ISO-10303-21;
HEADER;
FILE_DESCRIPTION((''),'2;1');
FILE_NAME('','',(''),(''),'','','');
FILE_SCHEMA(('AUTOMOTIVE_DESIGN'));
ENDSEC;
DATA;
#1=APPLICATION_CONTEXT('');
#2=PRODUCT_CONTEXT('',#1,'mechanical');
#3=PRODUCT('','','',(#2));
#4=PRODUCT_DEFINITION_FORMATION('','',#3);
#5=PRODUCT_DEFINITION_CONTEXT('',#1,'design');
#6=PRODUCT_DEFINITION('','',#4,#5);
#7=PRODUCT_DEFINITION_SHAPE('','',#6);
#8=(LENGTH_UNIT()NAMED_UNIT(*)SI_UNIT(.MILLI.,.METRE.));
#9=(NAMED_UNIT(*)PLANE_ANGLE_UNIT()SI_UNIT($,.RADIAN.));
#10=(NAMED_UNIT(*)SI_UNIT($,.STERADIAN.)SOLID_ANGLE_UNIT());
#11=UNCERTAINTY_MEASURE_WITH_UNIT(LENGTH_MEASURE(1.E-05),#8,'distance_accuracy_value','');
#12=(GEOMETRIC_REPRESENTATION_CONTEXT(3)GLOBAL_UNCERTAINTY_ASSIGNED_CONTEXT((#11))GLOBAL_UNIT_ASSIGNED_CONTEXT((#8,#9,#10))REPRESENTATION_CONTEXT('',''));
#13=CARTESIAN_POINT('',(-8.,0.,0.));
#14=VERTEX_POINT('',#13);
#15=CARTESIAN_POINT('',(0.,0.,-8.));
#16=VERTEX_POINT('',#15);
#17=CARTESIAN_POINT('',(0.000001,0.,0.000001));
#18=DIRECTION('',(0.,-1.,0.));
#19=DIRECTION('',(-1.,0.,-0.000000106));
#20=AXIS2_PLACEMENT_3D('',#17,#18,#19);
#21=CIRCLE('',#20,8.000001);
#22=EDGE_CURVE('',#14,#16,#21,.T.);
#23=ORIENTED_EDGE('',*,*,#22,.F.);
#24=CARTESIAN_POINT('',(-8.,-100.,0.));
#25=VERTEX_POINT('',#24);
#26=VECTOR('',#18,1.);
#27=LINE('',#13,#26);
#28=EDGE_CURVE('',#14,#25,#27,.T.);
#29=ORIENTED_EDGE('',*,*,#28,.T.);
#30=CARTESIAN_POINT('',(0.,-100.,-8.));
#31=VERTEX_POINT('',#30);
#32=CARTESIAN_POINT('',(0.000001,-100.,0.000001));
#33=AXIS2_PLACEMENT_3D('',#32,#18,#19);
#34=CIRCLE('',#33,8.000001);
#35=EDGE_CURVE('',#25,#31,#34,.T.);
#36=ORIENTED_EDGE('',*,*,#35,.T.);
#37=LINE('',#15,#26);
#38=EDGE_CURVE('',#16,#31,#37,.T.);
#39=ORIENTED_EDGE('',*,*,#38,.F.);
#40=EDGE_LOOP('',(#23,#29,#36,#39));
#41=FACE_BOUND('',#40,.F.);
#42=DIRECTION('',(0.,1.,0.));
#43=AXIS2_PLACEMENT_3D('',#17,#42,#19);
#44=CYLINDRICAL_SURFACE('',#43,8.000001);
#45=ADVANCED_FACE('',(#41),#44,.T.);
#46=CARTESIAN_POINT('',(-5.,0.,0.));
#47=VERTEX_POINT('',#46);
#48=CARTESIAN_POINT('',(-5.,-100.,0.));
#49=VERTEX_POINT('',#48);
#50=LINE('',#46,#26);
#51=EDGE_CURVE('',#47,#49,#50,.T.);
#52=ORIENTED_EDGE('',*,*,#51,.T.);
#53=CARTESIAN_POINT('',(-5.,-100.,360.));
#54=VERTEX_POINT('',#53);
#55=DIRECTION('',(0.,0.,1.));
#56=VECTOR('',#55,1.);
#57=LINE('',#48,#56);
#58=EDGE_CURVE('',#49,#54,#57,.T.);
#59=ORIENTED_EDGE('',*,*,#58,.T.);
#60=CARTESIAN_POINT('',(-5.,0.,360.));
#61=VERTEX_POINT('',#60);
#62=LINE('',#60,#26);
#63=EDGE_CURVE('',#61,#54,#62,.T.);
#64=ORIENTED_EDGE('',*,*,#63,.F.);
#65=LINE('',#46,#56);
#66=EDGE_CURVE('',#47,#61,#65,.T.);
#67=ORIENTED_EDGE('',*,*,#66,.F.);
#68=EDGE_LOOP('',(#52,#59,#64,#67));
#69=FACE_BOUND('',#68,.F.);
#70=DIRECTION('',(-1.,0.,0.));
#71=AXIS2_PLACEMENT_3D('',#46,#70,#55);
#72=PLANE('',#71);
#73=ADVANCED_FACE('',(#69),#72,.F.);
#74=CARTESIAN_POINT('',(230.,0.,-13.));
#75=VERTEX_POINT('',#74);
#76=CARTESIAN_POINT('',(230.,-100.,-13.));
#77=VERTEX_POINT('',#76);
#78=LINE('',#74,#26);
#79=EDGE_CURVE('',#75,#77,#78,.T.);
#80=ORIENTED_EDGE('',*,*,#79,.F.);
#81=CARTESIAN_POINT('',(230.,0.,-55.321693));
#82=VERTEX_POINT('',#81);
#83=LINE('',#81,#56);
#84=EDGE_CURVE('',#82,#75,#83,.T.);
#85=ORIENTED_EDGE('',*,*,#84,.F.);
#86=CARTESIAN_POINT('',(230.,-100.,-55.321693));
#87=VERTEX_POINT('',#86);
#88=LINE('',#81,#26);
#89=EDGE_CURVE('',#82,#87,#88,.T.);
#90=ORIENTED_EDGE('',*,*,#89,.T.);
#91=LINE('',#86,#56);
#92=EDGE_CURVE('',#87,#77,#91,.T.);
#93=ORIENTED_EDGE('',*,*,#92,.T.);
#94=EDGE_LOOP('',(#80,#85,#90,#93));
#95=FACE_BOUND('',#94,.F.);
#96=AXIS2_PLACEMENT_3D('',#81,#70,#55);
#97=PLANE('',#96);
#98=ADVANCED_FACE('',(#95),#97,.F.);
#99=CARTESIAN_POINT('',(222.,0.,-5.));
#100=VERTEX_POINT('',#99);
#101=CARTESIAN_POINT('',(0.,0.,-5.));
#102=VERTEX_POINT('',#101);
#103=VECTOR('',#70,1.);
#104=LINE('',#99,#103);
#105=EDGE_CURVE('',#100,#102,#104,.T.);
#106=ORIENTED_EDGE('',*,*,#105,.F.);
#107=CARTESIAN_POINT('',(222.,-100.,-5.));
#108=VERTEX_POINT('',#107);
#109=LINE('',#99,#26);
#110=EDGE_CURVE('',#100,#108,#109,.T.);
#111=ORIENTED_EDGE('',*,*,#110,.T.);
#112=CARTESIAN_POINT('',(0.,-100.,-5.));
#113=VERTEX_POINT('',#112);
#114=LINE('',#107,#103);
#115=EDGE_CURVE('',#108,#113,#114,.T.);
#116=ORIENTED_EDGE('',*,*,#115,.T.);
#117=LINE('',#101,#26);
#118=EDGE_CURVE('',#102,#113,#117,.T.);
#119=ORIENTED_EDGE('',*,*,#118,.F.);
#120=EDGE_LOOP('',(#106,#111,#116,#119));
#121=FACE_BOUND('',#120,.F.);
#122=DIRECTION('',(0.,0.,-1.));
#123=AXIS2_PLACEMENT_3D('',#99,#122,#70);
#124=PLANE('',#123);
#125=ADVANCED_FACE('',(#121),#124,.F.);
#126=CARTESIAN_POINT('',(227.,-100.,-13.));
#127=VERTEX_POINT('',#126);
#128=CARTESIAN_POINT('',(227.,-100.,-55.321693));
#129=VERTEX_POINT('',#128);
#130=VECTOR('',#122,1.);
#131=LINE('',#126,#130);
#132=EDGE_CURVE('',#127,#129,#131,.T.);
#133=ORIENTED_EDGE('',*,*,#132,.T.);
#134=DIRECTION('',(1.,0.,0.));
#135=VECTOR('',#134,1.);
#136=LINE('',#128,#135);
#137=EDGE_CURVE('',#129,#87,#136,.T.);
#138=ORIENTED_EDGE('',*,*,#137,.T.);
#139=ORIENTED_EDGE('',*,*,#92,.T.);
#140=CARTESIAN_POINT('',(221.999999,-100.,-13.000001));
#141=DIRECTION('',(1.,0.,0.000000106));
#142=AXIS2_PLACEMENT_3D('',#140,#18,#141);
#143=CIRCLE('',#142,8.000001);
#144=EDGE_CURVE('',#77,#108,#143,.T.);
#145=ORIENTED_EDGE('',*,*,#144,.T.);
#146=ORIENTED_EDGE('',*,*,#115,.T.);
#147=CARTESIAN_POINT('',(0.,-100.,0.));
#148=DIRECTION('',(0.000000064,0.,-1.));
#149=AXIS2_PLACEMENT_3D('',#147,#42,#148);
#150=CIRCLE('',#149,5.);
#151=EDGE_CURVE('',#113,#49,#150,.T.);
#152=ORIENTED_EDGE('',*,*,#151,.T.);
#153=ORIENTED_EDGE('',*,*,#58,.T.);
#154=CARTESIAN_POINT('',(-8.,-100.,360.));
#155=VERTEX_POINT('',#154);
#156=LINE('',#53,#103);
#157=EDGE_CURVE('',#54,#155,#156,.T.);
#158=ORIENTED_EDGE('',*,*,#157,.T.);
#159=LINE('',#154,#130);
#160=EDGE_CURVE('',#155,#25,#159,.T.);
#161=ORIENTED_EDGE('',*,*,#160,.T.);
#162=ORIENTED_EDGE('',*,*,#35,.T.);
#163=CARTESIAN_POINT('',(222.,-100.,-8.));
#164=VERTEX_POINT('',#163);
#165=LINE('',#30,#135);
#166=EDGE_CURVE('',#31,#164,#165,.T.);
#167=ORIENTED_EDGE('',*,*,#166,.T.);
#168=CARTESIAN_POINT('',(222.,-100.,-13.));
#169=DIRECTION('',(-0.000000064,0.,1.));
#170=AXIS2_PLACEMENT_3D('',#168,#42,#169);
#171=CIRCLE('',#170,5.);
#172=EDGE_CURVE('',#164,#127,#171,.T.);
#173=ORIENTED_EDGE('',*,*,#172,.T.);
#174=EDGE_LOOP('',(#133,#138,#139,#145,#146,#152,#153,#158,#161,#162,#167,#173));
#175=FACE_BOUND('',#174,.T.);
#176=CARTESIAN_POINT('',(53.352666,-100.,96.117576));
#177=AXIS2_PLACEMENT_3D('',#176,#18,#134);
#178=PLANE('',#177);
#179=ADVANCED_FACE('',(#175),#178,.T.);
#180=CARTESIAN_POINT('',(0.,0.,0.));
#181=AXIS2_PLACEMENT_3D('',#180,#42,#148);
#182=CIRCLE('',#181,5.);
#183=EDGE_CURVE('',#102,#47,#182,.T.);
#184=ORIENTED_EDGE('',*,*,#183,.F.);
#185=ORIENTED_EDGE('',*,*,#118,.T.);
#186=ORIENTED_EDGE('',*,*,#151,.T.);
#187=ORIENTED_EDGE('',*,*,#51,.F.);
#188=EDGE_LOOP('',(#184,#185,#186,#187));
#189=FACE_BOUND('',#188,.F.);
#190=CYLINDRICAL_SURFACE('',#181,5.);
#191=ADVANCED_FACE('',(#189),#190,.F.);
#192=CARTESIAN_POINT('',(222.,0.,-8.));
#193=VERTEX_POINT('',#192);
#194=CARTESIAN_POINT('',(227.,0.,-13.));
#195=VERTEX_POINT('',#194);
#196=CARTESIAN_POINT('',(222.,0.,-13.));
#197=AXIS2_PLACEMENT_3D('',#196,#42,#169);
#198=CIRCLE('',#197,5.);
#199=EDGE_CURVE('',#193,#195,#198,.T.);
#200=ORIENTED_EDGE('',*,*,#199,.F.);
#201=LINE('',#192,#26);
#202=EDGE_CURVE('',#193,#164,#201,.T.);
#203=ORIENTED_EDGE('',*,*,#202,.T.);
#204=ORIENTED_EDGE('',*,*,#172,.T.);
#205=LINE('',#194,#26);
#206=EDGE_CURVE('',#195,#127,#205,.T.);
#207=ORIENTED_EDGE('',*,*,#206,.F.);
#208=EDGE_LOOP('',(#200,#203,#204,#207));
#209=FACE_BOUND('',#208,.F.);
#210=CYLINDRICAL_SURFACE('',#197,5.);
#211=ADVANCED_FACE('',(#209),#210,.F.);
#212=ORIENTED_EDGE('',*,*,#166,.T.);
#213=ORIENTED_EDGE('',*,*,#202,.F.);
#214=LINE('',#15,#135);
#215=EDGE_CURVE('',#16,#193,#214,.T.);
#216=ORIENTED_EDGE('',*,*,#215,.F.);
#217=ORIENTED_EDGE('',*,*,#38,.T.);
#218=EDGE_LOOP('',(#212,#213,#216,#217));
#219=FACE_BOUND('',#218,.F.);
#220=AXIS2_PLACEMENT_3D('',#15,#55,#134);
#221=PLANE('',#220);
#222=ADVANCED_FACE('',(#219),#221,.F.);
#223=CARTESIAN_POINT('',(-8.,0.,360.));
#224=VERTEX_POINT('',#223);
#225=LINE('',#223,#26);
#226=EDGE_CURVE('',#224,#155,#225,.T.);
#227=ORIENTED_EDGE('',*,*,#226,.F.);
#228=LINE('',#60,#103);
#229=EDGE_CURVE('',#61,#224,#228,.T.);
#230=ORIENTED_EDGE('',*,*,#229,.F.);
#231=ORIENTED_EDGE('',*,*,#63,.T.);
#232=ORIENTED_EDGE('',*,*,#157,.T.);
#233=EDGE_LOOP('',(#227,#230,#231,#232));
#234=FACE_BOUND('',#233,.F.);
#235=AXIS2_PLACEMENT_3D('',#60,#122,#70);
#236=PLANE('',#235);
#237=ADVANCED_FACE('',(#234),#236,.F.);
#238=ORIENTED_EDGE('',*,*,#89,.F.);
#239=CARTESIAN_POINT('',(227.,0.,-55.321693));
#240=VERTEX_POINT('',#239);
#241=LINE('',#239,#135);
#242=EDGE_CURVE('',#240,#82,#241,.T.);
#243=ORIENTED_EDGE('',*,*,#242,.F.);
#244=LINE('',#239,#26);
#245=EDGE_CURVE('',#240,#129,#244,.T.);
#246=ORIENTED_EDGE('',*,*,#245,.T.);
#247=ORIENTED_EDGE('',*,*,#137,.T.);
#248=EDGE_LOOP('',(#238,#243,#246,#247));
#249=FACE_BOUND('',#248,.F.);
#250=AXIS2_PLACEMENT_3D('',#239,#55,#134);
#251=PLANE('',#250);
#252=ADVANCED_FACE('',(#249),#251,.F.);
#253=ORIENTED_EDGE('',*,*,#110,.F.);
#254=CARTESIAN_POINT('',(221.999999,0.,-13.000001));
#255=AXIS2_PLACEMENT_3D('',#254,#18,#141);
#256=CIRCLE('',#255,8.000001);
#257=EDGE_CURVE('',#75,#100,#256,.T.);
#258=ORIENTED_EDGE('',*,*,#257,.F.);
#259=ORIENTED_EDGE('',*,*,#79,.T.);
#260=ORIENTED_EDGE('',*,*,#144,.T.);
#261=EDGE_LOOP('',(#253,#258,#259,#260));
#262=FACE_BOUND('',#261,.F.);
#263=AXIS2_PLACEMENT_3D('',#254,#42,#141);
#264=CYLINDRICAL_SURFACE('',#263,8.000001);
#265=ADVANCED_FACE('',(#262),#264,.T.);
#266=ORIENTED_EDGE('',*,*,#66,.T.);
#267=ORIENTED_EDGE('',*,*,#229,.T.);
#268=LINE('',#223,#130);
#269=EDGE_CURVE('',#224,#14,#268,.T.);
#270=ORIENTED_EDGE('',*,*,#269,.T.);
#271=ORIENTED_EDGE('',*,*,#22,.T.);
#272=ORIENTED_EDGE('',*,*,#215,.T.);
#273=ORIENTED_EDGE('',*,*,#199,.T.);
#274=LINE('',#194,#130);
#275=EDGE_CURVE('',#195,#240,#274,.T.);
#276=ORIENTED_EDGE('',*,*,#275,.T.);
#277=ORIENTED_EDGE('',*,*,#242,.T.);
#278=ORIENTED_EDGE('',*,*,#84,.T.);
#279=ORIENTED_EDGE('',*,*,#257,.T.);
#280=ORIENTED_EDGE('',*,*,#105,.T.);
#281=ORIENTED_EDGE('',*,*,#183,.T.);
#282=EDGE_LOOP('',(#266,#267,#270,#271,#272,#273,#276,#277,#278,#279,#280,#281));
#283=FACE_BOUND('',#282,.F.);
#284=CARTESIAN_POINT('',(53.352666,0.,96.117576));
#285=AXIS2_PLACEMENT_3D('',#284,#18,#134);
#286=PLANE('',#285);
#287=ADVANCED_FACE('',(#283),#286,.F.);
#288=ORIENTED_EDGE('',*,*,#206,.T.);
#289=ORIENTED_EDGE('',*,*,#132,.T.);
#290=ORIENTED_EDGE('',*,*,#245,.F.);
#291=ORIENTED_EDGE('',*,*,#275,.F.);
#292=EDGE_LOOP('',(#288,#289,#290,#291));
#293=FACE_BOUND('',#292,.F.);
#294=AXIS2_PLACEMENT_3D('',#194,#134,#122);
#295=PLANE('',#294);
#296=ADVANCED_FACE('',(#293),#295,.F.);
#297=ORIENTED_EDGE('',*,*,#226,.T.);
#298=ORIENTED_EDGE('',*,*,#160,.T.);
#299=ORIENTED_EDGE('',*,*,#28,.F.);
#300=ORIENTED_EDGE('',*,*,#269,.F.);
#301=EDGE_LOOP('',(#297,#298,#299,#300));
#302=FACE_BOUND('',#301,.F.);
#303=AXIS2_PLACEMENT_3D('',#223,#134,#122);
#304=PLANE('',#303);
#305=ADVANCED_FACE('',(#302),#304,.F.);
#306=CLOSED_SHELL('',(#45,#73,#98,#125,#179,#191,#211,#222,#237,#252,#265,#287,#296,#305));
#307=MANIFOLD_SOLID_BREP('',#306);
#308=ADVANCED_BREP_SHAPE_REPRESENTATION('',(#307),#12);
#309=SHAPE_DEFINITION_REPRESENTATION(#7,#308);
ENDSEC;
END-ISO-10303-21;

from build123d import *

# Parameters (mm, degrees)
F1_DEPTH = 100


with BuildPart() as f1:
    # F0 (on Front) → F1 (new body)
    with BuildSketch(Plane.XZ):
        with BuildLine():
            ThreePointArc((0, -5), (-3.535534, -3.535534), (-5, 0))
            Line((-5, 0), (-5, 360))
            Line((-5, 360), (-8, 360))
            Line((-8, 360), (-8, 0))
            ThreePointArc((-8, 0), (-5.656854, -5.656854), (0, -8))
            Line((0, -8), (222, -8))
            ThreePointArc((222, -8), (225.535534, -9.464466), (227, -13))
            Line((227, -13), (227, -55.321693))
            Line((227, -55.321693), (230, -55.321693))
            Line((230, -55.321693), (230, -13))
            ThreePointArc((230, -13), (227.656854, -7.343146), (222, -5))
            Line((222, -5), (0, -5))
        make_face()
    extrude(amount=F1_DEPTH)


solid = f1.part
